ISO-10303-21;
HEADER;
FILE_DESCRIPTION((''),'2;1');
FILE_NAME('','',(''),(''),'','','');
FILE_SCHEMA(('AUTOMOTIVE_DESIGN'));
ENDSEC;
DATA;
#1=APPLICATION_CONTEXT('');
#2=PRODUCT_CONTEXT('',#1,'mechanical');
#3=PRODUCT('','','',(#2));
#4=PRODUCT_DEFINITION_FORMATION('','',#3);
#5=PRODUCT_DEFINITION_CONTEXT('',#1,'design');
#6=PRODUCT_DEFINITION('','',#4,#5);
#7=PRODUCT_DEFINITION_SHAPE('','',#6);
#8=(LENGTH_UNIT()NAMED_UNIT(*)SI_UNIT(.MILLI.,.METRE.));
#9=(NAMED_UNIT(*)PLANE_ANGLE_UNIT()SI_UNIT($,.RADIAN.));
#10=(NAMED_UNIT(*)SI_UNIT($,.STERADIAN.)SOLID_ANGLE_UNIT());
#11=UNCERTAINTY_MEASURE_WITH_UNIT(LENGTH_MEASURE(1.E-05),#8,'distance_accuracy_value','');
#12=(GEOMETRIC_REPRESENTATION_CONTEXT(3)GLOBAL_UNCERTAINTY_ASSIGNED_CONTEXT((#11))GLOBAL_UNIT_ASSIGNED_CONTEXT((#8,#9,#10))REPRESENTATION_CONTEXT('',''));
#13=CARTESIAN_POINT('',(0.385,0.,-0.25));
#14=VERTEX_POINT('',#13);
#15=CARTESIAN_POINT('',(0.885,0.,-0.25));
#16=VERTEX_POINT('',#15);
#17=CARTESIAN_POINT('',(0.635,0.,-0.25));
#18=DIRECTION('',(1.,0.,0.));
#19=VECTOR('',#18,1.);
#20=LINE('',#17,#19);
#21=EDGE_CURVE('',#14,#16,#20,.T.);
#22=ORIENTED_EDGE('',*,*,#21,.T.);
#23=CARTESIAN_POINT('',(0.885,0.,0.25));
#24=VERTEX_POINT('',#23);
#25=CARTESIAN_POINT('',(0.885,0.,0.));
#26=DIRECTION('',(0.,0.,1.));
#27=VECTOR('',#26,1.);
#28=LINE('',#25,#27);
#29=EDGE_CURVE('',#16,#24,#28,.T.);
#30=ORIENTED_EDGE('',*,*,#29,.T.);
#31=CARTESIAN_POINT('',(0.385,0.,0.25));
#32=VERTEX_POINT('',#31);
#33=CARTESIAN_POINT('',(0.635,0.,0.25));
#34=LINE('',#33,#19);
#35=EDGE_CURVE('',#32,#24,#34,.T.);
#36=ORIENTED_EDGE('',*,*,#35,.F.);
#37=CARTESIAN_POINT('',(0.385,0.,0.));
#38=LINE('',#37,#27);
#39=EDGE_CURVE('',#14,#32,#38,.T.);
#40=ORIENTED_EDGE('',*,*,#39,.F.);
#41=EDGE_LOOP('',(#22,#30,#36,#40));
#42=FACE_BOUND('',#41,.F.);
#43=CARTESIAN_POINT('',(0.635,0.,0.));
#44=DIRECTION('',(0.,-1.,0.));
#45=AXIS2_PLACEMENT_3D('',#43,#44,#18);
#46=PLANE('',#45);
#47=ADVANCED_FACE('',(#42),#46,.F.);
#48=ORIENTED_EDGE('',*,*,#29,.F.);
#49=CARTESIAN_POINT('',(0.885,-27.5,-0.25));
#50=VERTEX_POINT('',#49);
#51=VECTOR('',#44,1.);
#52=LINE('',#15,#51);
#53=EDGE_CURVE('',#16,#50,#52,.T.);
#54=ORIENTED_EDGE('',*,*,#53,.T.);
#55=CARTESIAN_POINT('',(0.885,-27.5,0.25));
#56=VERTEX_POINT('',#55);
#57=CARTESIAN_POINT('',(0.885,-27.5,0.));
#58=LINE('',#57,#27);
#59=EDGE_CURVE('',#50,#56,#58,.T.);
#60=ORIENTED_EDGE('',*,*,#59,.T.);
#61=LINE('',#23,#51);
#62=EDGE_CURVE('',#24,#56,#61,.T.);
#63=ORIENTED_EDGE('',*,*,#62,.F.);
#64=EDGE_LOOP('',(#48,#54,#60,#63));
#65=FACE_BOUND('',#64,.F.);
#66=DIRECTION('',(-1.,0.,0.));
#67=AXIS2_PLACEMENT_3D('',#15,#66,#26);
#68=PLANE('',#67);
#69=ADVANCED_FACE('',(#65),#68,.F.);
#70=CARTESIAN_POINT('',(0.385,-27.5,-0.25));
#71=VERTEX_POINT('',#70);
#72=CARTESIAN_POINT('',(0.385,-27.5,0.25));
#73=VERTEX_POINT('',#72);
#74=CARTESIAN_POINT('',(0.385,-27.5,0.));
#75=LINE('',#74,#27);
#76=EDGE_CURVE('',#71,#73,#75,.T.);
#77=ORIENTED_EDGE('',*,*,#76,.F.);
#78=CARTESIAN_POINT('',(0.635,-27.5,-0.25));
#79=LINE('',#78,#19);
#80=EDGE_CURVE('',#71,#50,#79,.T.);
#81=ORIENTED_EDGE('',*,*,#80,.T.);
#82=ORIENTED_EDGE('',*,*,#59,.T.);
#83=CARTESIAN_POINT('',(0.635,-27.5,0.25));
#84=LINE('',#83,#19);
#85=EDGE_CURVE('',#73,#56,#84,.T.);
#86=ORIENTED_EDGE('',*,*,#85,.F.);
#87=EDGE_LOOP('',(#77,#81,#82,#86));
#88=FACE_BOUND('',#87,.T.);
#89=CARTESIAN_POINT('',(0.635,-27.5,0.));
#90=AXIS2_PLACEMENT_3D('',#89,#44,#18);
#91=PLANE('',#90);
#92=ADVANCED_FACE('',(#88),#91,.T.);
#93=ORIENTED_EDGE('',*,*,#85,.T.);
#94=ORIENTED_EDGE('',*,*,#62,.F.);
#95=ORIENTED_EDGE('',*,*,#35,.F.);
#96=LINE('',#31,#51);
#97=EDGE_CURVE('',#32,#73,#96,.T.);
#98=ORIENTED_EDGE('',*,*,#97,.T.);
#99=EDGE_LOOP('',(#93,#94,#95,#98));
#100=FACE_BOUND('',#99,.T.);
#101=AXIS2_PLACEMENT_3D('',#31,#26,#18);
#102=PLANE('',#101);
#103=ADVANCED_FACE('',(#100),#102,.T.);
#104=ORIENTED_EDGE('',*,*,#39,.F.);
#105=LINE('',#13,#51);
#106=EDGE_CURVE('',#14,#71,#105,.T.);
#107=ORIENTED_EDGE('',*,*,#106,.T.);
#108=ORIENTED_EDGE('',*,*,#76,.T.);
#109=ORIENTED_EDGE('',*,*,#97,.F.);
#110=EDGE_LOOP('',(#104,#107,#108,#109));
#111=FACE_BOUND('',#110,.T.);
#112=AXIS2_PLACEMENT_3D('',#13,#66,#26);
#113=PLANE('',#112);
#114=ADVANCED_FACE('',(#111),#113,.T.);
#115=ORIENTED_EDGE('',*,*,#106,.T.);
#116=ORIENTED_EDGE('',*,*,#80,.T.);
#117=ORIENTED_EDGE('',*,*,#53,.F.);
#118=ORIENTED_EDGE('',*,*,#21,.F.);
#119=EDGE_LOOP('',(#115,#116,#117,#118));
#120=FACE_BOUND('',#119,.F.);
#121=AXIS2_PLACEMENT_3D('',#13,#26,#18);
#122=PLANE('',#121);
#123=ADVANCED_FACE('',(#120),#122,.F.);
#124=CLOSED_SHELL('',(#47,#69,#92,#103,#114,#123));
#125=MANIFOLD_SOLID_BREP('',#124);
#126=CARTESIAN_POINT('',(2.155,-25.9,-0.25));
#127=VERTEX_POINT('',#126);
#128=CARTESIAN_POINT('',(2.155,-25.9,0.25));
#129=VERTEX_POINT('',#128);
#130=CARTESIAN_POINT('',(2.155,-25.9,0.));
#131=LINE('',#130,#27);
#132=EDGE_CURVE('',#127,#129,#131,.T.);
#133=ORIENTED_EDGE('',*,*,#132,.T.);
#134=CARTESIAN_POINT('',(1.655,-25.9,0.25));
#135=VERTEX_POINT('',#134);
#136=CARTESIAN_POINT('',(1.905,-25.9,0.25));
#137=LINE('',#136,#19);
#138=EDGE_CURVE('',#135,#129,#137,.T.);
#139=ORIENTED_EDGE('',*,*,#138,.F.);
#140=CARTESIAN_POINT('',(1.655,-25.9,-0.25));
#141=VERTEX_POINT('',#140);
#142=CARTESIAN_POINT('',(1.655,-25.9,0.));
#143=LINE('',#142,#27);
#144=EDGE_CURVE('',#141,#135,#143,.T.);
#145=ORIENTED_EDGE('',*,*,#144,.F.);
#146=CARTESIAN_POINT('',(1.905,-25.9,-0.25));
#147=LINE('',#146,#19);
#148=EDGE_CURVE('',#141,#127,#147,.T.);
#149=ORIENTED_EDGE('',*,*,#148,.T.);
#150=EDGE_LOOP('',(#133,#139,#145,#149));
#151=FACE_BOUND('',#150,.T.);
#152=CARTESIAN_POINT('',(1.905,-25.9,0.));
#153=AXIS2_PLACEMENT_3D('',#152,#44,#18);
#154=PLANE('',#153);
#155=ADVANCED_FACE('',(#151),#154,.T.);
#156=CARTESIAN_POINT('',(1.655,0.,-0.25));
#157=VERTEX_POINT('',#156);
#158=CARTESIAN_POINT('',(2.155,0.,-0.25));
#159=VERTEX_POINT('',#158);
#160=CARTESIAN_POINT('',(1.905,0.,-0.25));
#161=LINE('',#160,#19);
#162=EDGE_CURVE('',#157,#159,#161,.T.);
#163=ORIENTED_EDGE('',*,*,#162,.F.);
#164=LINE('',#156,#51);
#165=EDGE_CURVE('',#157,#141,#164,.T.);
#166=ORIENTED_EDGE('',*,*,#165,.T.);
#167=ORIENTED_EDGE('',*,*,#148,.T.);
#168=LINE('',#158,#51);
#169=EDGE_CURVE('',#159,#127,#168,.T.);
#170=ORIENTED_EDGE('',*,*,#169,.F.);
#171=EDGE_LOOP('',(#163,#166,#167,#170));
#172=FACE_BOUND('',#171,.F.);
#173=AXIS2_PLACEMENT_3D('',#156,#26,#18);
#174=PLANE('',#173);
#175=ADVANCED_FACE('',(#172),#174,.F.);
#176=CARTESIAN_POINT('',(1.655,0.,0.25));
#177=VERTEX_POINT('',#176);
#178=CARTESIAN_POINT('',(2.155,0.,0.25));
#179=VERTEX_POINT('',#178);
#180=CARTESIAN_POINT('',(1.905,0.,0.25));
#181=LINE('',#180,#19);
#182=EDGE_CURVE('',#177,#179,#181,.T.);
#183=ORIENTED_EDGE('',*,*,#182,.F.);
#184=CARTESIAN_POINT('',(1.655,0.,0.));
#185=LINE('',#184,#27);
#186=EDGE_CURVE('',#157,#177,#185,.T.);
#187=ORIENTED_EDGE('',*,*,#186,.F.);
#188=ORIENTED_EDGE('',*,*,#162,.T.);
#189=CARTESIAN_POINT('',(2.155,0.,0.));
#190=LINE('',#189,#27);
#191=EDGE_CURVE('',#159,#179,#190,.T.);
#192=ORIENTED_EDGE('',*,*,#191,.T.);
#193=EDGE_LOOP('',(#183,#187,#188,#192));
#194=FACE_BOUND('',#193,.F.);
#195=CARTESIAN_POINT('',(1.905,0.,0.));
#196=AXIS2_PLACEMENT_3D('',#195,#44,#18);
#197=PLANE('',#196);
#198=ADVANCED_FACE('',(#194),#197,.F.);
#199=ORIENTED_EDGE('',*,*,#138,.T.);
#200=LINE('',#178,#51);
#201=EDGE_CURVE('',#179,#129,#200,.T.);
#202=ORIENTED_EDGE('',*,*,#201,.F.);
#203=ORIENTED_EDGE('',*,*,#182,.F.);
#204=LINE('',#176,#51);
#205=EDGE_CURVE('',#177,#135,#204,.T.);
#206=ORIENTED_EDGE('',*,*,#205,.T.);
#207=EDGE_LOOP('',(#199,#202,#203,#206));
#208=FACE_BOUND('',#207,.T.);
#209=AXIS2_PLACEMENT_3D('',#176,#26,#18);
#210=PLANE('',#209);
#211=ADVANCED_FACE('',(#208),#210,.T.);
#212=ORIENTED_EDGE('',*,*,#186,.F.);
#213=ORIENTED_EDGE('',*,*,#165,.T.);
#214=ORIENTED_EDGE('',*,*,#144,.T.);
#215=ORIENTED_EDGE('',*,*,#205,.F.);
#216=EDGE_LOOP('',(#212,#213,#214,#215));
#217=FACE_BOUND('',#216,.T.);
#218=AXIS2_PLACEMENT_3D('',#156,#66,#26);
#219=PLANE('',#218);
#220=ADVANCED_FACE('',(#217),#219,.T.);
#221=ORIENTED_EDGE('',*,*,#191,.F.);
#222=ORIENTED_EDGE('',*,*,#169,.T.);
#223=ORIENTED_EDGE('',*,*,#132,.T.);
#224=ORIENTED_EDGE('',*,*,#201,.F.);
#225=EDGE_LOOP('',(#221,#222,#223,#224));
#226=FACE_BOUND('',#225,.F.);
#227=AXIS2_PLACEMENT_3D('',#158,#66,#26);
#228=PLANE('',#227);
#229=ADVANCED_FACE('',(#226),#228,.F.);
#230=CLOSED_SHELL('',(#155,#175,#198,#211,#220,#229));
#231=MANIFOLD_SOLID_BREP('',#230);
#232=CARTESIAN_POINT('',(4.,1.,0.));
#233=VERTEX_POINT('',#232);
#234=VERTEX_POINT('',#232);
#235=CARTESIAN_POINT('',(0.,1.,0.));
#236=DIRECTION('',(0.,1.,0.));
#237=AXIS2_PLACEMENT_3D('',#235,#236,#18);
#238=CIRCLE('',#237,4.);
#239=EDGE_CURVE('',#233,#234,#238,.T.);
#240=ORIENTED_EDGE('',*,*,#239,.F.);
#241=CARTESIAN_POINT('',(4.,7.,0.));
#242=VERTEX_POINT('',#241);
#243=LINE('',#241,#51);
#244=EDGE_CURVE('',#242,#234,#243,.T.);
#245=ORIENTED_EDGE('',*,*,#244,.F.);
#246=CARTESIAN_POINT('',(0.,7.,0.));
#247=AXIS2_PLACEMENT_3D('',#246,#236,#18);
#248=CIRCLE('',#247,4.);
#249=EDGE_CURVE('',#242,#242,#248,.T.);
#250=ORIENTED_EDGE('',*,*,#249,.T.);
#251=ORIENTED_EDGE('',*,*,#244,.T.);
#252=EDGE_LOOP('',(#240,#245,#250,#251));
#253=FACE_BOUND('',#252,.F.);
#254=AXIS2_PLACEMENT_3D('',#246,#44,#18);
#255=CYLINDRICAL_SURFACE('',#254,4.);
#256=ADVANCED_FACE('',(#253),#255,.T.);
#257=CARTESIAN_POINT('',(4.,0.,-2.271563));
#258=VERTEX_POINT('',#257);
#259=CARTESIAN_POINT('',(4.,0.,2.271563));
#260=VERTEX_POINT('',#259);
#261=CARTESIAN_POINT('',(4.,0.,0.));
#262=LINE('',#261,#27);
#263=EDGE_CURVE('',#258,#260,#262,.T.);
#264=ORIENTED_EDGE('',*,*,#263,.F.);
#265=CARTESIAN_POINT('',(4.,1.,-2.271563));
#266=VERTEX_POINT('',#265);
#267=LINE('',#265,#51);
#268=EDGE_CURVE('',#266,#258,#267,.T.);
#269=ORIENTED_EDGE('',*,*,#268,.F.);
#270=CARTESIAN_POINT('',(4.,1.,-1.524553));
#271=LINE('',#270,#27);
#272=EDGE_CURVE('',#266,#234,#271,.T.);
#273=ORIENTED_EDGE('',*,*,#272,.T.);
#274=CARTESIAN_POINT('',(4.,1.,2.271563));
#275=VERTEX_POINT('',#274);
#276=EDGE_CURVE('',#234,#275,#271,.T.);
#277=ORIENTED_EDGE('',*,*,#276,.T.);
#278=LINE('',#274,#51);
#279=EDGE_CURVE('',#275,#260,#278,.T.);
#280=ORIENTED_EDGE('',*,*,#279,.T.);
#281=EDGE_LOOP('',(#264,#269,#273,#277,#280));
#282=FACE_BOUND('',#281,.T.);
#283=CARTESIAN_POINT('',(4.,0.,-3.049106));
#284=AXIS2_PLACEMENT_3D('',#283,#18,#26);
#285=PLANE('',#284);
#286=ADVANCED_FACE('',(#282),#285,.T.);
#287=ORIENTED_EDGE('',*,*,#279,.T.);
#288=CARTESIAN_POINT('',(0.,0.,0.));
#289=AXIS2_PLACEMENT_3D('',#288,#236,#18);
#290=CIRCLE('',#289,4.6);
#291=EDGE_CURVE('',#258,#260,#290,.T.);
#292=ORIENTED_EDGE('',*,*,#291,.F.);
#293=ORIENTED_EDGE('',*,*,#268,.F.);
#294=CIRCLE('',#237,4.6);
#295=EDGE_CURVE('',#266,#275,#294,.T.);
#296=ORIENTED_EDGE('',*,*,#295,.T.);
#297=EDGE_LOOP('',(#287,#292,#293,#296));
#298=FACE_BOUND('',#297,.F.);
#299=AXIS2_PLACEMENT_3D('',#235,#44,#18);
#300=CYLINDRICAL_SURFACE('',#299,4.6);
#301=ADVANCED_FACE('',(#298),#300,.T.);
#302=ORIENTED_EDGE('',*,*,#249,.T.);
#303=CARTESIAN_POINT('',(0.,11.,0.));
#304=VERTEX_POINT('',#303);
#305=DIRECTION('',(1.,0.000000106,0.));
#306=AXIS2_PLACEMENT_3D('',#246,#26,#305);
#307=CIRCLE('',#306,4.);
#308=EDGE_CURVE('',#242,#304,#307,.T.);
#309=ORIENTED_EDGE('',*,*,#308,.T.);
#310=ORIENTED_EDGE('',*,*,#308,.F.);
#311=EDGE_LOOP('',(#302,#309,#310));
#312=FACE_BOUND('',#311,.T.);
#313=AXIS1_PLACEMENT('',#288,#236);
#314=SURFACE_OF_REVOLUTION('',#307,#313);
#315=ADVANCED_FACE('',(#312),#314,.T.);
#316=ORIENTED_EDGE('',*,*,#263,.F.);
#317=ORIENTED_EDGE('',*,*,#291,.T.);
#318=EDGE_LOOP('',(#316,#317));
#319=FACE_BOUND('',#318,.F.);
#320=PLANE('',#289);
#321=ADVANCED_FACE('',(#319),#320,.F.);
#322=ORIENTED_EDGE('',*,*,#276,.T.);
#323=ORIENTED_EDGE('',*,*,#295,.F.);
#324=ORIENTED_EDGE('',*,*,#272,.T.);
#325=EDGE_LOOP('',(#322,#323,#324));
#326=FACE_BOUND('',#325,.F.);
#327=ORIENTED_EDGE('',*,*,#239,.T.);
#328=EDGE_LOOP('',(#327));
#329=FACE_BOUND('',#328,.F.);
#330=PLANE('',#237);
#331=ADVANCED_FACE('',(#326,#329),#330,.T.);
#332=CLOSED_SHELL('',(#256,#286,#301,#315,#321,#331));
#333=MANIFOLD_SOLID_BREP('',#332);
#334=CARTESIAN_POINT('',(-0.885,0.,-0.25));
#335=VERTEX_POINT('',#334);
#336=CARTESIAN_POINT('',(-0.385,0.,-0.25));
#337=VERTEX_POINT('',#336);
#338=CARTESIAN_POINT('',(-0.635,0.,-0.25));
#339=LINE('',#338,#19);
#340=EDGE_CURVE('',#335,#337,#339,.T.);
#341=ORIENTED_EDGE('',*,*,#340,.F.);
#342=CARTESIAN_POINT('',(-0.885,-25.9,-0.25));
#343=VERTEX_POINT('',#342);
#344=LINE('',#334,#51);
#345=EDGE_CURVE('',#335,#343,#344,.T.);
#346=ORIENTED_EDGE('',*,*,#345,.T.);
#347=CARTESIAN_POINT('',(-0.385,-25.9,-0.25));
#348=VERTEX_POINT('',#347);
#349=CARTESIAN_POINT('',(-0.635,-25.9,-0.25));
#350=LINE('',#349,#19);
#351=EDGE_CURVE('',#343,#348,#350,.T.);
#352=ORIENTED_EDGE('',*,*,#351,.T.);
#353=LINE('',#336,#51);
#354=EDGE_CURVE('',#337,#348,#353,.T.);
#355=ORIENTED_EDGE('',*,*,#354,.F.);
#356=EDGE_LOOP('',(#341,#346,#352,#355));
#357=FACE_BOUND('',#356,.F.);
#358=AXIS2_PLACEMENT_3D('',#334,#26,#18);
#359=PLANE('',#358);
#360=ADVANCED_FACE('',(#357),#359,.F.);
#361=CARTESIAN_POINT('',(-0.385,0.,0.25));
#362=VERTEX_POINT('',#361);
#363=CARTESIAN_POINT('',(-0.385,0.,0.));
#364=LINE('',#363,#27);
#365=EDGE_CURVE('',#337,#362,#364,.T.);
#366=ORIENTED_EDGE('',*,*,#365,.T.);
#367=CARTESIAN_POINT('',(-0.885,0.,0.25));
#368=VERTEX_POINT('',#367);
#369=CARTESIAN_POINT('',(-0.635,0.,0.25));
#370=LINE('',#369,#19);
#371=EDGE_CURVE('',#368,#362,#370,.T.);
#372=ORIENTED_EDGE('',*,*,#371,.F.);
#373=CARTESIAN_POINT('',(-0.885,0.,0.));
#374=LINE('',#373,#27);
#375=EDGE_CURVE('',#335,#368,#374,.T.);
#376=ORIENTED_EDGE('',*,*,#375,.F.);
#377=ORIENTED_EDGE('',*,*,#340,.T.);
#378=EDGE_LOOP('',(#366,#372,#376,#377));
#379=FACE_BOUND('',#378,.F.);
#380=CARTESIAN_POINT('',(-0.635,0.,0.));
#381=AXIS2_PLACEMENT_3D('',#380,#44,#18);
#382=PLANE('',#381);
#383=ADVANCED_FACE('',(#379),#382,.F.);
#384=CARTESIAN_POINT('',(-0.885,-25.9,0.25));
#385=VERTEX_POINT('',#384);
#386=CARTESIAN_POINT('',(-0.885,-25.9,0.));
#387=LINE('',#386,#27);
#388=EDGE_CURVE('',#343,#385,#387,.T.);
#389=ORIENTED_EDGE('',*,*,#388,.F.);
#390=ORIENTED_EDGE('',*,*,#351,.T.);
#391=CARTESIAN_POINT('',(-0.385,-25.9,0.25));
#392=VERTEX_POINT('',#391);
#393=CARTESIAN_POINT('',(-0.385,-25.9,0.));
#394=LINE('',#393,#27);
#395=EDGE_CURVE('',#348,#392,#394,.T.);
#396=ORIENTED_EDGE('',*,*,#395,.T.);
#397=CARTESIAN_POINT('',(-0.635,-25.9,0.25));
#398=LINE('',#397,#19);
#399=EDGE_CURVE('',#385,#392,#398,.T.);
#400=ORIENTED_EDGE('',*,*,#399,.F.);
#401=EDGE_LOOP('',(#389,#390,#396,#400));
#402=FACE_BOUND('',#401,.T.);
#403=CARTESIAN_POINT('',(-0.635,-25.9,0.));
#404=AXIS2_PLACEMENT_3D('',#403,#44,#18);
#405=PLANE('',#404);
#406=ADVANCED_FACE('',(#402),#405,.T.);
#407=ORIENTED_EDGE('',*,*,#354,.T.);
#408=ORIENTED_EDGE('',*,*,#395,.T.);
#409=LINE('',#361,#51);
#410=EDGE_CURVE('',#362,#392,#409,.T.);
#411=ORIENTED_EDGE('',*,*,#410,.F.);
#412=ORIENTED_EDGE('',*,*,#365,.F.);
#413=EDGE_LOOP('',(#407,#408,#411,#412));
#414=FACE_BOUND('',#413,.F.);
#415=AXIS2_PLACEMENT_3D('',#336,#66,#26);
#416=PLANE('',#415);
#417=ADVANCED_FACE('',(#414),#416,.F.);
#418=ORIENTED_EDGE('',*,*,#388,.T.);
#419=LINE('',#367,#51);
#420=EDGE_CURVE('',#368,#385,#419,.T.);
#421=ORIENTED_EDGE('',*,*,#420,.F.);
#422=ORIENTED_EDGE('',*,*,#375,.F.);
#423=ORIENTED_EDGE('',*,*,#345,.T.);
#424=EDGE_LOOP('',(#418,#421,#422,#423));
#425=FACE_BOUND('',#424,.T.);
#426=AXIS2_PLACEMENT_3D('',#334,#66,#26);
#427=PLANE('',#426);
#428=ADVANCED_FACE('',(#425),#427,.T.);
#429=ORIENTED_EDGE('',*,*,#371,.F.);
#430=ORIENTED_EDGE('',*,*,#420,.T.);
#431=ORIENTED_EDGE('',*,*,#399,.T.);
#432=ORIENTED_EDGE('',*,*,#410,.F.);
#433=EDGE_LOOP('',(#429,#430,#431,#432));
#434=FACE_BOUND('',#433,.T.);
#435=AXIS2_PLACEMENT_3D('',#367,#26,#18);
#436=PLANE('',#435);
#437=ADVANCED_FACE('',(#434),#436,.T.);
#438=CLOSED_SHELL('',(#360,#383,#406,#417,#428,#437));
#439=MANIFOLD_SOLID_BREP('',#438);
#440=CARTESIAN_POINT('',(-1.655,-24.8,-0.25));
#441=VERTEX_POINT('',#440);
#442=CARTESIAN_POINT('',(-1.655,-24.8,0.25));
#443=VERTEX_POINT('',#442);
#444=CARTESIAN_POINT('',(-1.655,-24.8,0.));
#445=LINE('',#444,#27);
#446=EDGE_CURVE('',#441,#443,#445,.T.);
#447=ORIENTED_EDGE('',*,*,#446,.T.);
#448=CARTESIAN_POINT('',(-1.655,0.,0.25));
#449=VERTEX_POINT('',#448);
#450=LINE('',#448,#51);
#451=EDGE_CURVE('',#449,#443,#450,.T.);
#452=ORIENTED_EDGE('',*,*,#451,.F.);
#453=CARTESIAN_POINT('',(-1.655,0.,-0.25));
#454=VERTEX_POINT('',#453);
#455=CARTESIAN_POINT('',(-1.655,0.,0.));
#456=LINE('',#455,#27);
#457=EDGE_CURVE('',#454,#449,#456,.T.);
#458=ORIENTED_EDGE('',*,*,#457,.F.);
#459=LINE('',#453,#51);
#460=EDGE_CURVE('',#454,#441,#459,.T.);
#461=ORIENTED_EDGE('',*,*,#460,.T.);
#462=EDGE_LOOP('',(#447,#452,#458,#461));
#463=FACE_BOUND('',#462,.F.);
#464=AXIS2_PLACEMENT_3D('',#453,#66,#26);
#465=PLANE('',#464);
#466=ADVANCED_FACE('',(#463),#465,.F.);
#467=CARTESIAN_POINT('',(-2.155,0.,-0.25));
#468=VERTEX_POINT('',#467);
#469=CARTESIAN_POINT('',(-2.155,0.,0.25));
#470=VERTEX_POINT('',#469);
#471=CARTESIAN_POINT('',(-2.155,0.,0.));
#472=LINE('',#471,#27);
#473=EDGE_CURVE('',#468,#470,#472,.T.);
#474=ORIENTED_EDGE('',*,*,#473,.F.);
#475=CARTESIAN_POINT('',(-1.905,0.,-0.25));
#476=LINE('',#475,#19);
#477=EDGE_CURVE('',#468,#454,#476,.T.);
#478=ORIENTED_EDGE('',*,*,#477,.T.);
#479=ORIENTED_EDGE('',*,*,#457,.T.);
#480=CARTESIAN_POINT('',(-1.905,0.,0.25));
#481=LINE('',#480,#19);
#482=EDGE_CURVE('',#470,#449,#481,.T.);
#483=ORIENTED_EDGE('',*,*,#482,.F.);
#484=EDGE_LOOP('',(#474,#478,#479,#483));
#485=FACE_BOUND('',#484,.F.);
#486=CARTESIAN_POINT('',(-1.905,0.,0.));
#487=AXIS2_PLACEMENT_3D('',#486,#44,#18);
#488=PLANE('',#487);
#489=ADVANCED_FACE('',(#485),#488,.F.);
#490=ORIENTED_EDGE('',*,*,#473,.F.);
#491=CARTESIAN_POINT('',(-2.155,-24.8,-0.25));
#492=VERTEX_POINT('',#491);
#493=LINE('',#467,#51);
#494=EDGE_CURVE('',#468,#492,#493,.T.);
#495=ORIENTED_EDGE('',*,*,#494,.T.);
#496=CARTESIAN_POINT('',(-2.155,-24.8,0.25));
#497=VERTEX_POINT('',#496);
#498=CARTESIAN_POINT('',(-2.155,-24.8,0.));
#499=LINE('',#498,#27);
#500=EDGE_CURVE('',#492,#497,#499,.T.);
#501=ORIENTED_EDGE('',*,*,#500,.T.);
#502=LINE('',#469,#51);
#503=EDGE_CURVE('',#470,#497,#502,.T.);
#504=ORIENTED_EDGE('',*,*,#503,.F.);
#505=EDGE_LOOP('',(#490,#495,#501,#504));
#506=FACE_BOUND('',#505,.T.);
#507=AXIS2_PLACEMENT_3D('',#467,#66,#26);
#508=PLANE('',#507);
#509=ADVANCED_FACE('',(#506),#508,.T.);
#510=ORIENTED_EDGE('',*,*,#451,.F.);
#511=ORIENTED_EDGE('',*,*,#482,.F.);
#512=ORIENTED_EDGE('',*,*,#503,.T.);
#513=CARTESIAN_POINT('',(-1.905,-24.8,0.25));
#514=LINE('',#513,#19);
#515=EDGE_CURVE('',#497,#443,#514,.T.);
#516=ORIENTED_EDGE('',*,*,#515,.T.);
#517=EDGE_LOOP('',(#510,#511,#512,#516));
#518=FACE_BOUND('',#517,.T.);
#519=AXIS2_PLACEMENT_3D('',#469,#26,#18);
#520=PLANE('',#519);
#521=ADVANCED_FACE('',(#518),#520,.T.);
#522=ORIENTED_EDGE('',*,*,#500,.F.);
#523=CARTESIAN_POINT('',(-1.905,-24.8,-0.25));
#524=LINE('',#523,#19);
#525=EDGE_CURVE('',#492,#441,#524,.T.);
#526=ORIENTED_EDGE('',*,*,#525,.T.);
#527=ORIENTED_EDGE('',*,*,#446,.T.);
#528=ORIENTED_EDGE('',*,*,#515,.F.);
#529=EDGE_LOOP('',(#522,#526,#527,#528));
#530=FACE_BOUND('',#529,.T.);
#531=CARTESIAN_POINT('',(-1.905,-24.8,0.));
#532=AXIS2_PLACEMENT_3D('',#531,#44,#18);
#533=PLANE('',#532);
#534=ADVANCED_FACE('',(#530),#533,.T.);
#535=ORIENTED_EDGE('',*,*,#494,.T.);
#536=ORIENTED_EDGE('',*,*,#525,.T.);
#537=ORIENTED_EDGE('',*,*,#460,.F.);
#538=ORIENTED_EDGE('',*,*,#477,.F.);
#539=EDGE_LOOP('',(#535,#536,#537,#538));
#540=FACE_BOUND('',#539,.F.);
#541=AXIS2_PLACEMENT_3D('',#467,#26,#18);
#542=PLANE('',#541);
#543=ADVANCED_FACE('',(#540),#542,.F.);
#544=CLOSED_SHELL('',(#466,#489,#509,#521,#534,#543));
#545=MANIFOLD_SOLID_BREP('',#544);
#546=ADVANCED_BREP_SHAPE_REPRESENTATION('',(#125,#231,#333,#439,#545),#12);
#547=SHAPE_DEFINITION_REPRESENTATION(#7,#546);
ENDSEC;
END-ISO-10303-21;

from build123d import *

# Parameters (mm, degrees)
SKETCH002_W  = 1
SKETCH002_H  = 6.098212
POCKET_DEPTH = 5
SKETCH006_W  = 0.5
SKETCH006_H  = 0.5
PAD_DEPTH    = 24.8
SKETCH008_W  = 0.5
SKETCH008_H  = 0.5
PAD001_DEPTH = 25.9
SKETCH010_W  = 0.5
SKETCH010_H  = 0.5
PAD002_DEPTH = 27.5
SKETCH012_W  = 0.5
SKETCH012_H  = 0.5
PAD003_DEPTH = 25.9


with BuildPart() as led_plastic:
    # Sketch → Revolution (revolve)
    with BuildSketch(Plane.XY):
        with BuildLine():
            ThreePointArc((4, 7), (2.828427, 9.828427), (0, 11))
            Line((0, 0), (0, 11))
            Line((4.6, 0), (0, 0))
            Line((4.6, 1), (4.6, 0))
            Line((4, 1), (4.6, 1))
            Line((4, 7), (4, 1))
        make_face()
    revolve(axis=Axis((0, 0, 0), (0, 1, 0)))

    # Sketch002 (on Face2 of Revolution) → Pocket (cut)
    with BuildSketch(Plane.XZ):
        with Locations((4.5, 0)):
            Rectangle(SKETCH002_W, SKETCH002_H)
    extrude(amount=-POCKET_DEPTH, mode=Mode.SUBTRACT)


with BuildPart() as lead4:
    # Sketch006 (on ShapeBinder) → Pad (new body)
    with BuildSketch(Plane.XZ):
        with Locations((-1.905, 0)):
            Rectangle(SKETCH006_W, SKETCH006_H)
    extrude(amount=PAD_DEPTH)


with BuildPart() as lead3:
    # Sketch008 (on ShapeBinder) → Pad001 (new body)
    with BuildSketch(Plane.XZ):
        with Locations((-0.635, 0)):
            Rectangle(SKETCH008_W, SKETCH008_H)
    extrude(amount=PAD001_DEPTH)


with BuildPart() as lead2:
    # Sketch010 (on ShapeBinder) → Pad002 (new body)
    with BuildSketch(Plane.XZ):
        with Locations((0.635, 0)):
            Rectangle(SKETCH010_W, SKETCH010_H)
    extrude(amount=PAD002_DEPTH)


with BuildPart() as lead1:
    # Sketch012 (on ShapeBinder) → Pad003 (new body)
    with BuildSketch(Plane.XZ):
        with Locations((1.905, 0)):
            Rectangle(SKETCH012_W, SKETCH012_H)
    extrude(amount=PAD003_DEPTH)


solid = Compound([led_plastic.part, lead4.part, lead3.part, lead2.part, lead1.part])
